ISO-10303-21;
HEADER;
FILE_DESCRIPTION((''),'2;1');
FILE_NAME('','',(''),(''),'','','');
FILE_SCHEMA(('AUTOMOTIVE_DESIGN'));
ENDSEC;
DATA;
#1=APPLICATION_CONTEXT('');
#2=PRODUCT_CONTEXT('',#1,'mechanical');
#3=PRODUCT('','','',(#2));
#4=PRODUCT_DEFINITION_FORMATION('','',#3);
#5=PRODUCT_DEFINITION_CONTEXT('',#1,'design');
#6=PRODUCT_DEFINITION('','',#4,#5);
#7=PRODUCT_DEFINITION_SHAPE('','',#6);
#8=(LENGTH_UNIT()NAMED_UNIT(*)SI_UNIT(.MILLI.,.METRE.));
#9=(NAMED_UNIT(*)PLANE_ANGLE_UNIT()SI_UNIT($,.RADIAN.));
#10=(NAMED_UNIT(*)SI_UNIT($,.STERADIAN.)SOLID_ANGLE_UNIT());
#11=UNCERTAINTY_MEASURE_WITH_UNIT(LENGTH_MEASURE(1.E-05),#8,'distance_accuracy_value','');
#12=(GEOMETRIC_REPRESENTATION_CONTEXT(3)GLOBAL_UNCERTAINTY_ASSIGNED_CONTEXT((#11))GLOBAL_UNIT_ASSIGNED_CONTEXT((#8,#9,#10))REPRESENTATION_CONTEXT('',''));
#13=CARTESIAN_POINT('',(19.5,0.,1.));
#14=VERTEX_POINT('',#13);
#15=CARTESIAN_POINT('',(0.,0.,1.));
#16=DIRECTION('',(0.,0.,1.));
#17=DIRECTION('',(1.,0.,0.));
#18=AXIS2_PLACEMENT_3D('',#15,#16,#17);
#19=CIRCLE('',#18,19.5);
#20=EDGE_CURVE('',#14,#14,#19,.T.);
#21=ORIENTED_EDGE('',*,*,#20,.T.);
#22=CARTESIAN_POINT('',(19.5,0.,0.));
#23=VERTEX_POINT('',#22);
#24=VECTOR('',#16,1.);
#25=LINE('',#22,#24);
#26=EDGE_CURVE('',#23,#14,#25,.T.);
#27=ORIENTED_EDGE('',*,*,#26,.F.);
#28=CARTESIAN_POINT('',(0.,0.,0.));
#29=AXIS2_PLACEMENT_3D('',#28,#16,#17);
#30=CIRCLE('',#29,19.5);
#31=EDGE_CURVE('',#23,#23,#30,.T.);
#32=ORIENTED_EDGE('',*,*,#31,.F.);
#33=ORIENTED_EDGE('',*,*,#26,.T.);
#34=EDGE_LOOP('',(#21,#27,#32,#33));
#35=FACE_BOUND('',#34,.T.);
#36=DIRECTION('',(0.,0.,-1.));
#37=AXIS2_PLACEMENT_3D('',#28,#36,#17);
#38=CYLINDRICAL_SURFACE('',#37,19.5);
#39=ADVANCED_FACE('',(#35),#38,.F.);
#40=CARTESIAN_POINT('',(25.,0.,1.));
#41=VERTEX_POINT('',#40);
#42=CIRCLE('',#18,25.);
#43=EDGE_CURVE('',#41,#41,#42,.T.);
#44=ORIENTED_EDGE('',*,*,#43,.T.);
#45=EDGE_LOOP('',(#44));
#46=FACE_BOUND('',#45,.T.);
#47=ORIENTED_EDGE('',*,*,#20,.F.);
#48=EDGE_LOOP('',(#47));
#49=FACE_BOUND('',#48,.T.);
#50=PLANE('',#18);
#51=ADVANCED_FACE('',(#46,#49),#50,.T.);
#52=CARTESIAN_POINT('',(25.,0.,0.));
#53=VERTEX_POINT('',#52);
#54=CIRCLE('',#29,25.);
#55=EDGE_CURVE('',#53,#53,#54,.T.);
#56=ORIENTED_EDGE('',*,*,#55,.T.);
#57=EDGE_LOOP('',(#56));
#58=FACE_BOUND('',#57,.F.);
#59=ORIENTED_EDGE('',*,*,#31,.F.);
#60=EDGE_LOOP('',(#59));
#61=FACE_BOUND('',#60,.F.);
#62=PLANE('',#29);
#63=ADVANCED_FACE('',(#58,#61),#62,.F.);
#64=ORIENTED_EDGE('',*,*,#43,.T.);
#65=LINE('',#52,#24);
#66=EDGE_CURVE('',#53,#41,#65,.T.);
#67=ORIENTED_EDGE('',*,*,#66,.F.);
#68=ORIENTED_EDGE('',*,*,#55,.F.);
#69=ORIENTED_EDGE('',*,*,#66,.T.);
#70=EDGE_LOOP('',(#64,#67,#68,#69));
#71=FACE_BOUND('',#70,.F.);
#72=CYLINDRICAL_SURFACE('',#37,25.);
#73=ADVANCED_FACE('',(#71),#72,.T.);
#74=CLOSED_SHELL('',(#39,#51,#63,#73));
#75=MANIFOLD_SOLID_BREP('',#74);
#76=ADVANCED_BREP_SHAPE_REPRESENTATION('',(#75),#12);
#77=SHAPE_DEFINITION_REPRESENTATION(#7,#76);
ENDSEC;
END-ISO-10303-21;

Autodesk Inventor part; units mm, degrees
ref_plane "YZ Plane" through (0, 0, 0) normal (1, 0, 0) x (0, 1, 0)
ref_plane "XZ Plane" through (0, 0, 0) normal (0, 1, 0) x (-1, 0, 0)
ref_plane "XY Plane" through (0, 0, 0) normal (0, 0, 1) x (1, 0, 0)
sketch "Sketch1" plane through (0, 0, 0) normal (0, 0, 1) x (1, 0, 0)
  circle A0 centre (0, 0) radius 25
  circle A1 centre (0, 0) radius 19.5
  dimension "d0" = 50
  dimension "d1" = 39
extrude "Extrusion1" add sketch "Sketch1" along normal blind 1
properties part number "pulley flange"
